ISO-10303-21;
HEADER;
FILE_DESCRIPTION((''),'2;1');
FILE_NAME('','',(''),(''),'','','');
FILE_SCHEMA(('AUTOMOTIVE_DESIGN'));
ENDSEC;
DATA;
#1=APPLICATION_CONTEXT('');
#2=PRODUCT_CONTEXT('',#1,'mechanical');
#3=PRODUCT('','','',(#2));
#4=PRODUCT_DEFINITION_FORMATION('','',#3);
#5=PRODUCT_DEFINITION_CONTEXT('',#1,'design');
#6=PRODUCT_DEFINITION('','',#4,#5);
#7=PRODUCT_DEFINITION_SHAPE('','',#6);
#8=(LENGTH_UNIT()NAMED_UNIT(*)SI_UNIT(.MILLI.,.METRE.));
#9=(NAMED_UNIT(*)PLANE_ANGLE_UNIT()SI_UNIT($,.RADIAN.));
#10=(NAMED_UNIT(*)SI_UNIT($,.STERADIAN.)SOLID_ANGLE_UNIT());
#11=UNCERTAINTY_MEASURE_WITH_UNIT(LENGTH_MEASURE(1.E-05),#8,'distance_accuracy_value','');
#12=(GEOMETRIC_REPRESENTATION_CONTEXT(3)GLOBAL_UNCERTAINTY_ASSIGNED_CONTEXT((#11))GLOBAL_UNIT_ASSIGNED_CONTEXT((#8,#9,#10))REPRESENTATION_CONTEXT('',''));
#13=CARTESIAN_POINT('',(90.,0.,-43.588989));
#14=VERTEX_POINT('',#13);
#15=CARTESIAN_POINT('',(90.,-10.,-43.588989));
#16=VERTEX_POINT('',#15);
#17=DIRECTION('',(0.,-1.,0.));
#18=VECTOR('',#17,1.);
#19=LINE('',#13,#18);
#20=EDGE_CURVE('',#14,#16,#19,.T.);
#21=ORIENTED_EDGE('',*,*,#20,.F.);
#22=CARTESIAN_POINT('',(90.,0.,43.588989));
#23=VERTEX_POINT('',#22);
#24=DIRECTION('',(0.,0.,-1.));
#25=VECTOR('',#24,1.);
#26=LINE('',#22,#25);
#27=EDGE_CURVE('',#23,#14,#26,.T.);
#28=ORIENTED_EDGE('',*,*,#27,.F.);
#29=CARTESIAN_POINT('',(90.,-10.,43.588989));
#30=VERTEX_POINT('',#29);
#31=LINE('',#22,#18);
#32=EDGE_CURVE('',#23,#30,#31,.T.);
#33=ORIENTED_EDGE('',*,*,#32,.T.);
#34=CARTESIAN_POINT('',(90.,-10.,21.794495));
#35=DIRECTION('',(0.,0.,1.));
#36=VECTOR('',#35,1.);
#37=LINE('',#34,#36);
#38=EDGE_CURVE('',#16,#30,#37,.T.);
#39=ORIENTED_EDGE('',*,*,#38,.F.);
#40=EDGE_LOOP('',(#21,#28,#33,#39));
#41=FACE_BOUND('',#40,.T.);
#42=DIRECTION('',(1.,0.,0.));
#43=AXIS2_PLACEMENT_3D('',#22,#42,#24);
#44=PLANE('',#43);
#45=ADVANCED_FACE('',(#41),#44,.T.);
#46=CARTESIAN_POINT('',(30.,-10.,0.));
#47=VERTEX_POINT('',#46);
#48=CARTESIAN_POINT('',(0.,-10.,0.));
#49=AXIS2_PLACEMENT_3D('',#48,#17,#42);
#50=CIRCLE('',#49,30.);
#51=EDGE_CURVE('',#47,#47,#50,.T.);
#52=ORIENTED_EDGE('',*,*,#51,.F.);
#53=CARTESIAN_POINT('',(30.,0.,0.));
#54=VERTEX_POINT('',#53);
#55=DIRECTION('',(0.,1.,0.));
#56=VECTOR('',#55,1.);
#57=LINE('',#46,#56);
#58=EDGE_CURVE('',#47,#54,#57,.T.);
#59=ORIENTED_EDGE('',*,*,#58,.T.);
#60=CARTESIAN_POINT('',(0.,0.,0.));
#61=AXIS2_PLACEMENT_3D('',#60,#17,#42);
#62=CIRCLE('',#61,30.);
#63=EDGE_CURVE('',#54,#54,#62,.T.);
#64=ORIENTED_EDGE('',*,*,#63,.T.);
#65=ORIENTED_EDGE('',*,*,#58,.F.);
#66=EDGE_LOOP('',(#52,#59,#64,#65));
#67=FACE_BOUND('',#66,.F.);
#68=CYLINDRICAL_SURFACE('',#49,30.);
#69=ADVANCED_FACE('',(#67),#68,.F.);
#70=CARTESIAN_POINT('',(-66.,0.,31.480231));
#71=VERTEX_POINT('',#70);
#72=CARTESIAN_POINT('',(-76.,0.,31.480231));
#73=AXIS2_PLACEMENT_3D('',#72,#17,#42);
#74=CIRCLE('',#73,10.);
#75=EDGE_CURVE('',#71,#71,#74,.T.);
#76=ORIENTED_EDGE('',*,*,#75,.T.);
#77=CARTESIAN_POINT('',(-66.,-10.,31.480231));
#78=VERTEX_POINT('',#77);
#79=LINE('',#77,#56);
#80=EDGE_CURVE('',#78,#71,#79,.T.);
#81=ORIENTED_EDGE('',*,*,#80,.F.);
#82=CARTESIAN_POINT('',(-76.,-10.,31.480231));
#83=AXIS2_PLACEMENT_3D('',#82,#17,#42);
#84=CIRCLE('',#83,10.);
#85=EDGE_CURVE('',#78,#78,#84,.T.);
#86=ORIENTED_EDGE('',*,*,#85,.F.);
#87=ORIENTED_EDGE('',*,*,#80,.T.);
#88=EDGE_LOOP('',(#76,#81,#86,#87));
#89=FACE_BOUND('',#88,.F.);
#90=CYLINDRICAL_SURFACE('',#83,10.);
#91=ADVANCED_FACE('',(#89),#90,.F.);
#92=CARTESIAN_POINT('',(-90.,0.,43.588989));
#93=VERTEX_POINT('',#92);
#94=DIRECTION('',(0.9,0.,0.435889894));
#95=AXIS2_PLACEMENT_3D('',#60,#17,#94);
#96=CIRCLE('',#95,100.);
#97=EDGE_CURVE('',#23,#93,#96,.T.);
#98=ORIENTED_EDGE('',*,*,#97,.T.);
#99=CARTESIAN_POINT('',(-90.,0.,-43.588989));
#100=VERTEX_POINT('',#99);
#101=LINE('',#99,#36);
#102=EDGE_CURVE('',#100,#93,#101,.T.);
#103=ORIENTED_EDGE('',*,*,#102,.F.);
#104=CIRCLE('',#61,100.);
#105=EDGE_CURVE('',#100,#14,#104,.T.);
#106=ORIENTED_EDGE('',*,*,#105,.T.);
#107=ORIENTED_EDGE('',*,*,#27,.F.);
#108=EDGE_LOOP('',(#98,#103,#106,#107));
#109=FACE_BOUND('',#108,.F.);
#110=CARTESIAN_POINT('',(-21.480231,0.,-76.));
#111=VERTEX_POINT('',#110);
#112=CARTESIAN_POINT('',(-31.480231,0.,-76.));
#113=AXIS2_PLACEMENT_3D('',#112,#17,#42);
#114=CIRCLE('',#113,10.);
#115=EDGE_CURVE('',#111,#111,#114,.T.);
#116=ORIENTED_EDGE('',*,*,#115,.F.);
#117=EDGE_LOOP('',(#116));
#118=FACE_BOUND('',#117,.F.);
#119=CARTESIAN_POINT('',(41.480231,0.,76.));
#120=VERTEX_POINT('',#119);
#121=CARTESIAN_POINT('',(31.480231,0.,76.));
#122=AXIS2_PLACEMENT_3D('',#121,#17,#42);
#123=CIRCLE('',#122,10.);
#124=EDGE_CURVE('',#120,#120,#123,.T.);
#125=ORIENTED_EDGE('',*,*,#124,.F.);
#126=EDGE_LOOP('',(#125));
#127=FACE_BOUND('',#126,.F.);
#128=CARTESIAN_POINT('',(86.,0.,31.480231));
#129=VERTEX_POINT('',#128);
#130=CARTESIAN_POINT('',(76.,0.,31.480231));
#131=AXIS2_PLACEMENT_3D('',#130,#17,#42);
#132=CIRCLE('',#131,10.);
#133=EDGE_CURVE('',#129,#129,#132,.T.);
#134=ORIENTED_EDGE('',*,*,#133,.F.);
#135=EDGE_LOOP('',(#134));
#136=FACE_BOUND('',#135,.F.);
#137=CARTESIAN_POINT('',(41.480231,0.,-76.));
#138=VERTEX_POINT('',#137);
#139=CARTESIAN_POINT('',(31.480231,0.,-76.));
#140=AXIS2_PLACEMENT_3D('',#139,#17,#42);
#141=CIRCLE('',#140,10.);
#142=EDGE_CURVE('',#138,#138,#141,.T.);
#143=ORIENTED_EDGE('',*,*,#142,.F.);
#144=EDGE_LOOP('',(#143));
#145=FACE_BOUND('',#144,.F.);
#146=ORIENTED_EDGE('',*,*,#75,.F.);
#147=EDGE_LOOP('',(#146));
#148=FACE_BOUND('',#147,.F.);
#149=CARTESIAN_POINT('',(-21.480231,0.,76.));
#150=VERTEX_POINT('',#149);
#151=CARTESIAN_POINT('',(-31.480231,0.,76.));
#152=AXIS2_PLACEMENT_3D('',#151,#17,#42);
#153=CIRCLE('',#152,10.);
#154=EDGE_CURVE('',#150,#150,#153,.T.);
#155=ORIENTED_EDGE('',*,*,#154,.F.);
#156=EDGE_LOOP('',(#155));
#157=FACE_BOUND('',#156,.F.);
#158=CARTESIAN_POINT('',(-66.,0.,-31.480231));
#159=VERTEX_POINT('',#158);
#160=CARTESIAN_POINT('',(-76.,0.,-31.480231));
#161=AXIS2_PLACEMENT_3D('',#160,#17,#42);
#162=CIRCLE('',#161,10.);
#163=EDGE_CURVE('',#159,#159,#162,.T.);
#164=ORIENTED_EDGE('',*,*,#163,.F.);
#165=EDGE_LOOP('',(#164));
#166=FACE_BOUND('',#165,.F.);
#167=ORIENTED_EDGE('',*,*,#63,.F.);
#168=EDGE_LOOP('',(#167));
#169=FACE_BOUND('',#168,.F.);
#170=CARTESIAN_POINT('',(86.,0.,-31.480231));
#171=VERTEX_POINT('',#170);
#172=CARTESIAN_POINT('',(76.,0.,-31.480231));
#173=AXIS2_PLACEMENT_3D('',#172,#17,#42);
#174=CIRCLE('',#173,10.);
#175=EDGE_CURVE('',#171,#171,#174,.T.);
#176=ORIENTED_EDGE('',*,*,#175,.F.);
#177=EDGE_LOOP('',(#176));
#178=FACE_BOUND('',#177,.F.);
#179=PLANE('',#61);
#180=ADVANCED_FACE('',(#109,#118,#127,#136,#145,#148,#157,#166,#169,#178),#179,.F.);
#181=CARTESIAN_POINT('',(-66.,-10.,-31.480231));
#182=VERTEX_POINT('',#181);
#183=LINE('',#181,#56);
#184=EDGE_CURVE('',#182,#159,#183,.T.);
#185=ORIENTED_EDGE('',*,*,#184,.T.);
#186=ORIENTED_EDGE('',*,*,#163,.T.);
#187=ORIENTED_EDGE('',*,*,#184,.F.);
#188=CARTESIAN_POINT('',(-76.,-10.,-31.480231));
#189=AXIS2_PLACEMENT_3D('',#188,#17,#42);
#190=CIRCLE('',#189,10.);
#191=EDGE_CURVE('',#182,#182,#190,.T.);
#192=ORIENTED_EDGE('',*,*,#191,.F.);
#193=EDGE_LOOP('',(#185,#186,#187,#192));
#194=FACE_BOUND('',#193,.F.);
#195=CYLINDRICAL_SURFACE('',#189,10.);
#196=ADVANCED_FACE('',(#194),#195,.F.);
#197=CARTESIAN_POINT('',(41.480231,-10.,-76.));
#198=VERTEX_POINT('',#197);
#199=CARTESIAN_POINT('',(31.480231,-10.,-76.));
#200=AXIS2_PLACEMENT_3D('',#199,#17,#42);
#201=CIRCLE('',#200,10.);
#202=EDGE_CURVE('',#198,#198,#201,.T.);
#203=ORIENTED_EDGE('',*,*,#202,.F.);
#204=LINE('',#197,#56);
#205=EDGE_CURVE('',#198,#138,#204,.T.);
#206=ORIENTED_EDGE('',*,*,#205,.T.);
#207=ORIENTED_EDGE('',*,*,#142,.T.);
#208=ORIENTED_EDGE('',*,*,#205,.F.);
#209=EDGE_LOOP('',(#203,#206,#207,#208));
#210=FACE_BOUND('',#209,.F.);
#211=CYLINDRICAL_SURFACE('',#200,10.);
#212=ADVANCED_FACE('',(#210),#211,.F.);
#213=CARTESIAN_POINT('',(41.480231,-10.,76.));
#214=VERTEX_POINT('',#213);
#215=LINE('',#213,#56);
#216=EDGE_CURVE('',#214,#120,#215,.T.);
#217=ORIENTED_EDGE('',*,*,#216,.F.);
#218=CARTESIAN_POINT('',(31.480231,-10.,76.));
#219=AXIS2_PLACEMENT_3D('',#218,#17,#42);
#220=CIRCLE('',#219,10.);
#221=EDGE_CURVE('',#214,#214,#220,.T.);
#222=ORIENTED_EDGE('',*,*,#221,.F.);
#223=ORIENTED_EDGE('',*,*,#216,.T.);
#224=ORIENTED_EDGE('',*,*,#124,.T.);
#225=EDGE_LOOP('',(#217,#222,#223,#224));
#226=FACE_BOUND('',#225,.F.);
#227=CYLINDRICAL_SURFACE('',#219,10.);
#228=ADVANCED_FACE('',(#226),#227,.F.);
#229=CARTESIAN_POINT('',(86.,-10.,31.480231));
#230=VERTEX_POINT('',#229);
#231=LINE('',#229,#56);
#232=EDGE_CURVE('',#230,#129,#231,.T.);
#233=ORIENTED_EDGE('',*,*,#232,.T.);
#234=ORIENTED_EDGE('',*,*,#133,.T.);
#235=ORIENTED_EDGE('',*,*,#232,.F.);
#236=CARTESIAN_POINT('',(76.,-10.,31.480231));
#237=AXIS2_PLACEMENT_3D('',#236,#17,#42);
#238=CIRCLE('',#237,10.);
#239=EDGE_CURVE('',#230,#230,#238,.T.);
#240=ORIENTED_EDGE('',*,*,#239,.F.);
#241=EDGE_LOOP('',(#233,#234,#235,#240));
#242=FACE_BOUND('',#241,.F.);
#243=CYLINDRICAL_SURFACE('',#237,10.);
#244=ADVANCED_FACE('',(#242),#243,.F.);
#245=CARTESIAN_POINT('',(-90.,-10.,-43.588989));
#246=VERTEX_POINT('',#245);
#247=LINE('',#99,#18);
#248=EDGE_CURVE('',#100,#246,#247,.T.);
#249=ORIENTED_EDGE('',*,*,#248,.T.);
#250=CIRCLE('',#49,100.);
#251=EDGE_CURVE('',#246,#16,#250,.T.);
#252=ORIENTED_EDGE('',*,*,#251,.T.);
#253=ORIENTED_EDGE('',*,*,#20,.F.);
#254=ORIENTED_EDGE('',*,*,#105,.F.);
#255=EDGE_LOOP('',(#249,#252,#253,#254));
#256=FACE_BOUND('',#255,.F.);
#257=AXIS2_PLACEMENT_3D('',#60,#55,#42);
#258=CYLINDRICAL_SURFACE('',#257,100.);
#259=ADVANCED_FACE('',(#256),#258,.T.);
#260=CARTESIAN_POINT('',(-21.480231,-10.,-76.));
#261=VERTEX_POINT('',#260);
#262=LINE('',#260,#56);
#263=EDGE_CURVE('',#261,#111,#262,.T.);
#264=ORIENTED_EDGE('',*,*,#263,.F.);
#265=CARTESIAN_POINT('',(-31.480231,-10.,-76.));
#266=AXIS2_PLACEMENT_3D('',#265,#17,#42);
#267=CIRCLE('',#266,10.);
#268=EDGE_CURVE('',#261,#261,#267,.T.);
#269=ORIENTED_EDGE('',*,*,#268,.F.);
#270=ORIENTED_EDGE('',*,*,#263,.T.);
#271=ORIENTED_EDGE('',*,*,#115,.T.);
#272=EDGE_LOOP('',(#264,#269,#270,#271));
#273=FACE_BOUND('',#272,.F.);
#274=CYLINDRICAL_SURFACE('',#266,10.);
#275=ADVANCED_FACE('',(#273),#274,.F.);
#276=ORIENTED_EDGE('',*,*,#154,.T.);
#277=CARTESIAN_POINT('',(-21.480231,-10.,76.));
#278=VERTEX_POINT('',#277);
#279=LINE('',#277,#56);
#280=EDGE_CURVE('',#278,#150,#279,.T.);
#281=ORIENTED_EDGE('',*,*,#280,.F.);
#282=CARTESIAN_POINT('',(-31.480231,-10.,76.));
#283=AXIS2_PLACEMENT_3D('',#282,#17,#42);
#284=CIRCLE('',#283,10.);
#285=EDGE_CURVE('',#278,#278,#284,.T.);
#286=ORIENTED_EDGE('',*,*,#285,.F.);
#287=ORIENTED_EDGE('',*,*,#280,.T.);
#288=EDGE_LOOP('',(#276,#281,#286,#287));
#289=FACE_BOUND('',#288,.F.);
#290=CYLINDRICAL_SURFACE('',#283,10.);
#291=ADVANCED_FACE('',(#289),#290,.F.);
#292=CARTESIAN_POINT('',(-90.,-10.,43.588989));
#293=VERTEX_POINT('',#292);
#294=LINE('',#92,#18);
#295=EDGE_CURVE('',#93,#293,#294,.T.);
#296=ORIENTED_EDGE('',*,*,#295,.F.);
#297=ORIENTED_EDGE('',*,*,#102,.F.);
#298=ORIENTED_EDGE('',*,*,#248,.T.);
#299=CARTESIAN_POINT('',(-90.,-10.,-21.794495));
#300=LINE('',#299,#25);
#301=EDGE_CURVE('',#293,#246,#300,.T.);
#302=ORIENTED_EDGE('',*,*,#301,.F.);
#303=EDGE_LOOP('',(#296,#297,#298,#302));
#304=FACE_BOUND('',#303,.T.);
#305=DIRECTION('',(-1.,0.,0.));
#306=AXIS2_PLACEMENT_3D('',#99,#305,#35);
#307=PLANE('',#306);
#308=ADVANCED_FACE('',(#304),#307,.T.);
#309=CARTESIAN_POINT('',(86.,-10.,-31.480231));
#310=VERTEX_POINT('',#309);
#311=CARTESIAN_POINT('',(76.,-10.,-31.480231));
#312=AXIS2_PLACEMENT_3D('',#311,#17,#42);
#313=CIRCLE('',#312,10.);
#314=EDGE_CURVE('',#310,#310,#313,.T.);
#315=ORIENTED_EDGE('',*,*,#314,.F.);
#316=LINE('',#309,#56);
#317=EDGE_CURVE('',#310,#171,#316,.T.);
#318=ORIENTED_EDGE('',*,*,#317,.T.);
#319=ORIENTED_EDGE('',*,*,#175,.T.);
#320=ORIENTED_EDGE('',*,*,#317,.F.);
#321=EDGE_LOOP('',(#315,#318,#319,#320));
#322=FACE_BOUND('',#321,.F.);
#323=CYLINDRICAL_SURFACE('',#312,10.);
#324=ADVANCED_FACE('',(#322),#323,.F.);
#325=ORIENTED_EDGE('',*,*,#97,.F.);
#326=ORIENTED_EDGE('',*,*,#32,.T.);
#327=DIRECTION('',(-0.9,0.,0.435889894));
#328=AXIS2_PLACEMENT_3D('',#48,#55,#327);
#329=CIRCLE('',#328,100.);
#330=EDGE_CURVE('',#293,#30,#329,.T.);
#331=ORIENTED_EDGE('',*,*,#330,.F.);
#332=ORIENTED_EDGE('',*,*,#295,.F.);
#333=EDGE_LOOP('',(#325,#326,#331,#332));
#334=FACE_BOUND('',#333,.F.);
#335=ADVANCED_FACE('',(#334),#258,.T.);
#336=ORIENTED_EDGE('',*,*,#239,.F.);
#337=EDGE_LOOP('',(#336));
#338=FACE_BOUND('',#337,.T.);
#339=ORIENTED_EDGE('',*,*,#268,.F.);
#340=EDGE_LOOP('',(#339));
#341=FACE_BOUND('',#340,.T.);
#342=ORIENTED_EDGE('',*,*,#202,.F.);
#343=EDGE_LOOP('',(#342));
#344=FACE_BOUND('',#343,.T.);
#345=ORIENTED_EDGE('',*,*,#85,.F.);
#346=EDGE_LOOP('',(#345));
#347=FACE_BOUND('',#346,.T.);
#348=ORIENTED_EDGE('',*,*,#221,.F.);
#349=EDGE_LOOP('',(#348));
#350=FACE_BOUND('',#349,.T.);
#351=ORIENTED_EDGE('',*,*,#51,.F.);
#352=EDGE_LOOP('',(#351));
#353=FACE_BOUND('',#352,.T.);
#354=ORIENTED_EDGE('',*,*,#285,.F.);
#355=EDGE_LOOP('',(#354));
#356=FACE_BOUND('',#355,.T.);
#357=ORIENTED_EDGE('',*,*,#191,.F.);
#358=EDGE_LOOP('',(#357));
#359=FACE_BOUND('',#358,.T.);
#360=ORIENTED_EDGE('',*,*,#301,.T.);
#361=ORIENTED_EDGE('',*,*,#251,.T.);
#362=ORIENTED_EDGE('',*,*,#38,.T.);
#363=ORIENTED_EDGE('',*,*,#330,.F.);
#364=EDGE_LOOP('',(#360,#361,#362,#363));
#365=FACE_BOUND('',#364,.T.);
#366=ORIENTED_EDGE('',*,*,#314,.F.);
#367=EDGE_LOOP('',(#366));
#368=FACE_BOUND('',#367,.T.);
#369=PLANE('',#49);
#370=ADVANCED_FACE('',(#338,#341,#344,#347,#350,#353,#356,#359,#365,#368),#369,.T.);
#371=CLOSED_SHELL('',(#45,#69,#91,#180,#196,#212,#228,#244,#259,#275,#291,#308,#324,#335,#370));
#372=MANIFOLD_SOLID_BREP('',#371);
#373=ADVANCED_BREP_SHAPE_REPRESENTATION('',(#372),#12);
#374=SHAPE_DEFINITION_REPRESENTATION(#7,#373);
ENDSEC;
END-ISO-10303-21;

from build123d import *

# Parameters (mm, degrees)
F0_R     = 100
F2_DEPTH = 10
F3_DEPTH = 10.001
F4_R     = 10
F5_DEPTH = 25
F6_R     = 30
F7_DEPTH = 25


with BuildPart() as f2:
    # F0 (on Front) → F2 (new body)
    with BuildSketch(Plane.XZ):
        Circle(F0_R)
    extrude(amount=F2_DEPTH)

    # F1 (on face) → F3 (cut, through all)
    with BuildSketch(Plane.XZ):
        with BuildLine():
            ThreePointArc((-90, 43.5889894354), (-53.1088554596, 84.7316320613), (0, 100))
            Line((0, 100), (-90, 100))
            Line((-90, 100), (-90, 43.5889894354))
        make_face()
        with BuildLine():
            Line((-90, -43.5889894354), (-90, 43.5889894354))
            ThreePointArc((-90, 43.5889894354), (-100, 0), (-90, -43.5889894354))
        make_face()
        with BuildLine():
            ThreePointArc((100, 0), (97.4679434481, 22.360679775), (90, 43.5889894354))
            Line((90, 43.5889894354), (90, -43.5889894354))
            ThreePointArc((90, -43.5889894354), (97.4679434481, -22.360679775), (100, 0))
        make_face()
    extrude(amount=F3_DEPTH, mode=Mode.SUBTRACT)

    # F4 (on face) → F5 (cut)
    with BuildSketch(Plane.XZ.offset(10)):
        with Locations((-76, 31.4802307404)):
            Circle(F4_R)
        with Locations((-76, -31.4802307404)):
            Circle(F4_R)
        with Locations((-31.4802307404, -76)):
            Circle(F4_R)
        with Locations((31.4802307404, -76)):
            Circle(F4_R)
        with Locations((76, -31.4802307404)):
            Circle(F4_R)
        with Locations((76, 31.4802307404)):
            Circle(F4_R)
        with Locations((31.4802307404, 76)):
            Circle(F4_R)
        with Locations((-31.4802307404, 76)):
            Circle(F4_R)
    extrude(amount=-F5_DEPTH, mode=Mode.SUBTRACT)

    # F6 (on face) → F7 (cut)
    with BuildSketch(Plane.XZ.offset(10)):
        Circle(F6_R)
    extrude(amount=-F7_DEPTH, mode=Mode.SUBTRACT)


solid = f2.part
